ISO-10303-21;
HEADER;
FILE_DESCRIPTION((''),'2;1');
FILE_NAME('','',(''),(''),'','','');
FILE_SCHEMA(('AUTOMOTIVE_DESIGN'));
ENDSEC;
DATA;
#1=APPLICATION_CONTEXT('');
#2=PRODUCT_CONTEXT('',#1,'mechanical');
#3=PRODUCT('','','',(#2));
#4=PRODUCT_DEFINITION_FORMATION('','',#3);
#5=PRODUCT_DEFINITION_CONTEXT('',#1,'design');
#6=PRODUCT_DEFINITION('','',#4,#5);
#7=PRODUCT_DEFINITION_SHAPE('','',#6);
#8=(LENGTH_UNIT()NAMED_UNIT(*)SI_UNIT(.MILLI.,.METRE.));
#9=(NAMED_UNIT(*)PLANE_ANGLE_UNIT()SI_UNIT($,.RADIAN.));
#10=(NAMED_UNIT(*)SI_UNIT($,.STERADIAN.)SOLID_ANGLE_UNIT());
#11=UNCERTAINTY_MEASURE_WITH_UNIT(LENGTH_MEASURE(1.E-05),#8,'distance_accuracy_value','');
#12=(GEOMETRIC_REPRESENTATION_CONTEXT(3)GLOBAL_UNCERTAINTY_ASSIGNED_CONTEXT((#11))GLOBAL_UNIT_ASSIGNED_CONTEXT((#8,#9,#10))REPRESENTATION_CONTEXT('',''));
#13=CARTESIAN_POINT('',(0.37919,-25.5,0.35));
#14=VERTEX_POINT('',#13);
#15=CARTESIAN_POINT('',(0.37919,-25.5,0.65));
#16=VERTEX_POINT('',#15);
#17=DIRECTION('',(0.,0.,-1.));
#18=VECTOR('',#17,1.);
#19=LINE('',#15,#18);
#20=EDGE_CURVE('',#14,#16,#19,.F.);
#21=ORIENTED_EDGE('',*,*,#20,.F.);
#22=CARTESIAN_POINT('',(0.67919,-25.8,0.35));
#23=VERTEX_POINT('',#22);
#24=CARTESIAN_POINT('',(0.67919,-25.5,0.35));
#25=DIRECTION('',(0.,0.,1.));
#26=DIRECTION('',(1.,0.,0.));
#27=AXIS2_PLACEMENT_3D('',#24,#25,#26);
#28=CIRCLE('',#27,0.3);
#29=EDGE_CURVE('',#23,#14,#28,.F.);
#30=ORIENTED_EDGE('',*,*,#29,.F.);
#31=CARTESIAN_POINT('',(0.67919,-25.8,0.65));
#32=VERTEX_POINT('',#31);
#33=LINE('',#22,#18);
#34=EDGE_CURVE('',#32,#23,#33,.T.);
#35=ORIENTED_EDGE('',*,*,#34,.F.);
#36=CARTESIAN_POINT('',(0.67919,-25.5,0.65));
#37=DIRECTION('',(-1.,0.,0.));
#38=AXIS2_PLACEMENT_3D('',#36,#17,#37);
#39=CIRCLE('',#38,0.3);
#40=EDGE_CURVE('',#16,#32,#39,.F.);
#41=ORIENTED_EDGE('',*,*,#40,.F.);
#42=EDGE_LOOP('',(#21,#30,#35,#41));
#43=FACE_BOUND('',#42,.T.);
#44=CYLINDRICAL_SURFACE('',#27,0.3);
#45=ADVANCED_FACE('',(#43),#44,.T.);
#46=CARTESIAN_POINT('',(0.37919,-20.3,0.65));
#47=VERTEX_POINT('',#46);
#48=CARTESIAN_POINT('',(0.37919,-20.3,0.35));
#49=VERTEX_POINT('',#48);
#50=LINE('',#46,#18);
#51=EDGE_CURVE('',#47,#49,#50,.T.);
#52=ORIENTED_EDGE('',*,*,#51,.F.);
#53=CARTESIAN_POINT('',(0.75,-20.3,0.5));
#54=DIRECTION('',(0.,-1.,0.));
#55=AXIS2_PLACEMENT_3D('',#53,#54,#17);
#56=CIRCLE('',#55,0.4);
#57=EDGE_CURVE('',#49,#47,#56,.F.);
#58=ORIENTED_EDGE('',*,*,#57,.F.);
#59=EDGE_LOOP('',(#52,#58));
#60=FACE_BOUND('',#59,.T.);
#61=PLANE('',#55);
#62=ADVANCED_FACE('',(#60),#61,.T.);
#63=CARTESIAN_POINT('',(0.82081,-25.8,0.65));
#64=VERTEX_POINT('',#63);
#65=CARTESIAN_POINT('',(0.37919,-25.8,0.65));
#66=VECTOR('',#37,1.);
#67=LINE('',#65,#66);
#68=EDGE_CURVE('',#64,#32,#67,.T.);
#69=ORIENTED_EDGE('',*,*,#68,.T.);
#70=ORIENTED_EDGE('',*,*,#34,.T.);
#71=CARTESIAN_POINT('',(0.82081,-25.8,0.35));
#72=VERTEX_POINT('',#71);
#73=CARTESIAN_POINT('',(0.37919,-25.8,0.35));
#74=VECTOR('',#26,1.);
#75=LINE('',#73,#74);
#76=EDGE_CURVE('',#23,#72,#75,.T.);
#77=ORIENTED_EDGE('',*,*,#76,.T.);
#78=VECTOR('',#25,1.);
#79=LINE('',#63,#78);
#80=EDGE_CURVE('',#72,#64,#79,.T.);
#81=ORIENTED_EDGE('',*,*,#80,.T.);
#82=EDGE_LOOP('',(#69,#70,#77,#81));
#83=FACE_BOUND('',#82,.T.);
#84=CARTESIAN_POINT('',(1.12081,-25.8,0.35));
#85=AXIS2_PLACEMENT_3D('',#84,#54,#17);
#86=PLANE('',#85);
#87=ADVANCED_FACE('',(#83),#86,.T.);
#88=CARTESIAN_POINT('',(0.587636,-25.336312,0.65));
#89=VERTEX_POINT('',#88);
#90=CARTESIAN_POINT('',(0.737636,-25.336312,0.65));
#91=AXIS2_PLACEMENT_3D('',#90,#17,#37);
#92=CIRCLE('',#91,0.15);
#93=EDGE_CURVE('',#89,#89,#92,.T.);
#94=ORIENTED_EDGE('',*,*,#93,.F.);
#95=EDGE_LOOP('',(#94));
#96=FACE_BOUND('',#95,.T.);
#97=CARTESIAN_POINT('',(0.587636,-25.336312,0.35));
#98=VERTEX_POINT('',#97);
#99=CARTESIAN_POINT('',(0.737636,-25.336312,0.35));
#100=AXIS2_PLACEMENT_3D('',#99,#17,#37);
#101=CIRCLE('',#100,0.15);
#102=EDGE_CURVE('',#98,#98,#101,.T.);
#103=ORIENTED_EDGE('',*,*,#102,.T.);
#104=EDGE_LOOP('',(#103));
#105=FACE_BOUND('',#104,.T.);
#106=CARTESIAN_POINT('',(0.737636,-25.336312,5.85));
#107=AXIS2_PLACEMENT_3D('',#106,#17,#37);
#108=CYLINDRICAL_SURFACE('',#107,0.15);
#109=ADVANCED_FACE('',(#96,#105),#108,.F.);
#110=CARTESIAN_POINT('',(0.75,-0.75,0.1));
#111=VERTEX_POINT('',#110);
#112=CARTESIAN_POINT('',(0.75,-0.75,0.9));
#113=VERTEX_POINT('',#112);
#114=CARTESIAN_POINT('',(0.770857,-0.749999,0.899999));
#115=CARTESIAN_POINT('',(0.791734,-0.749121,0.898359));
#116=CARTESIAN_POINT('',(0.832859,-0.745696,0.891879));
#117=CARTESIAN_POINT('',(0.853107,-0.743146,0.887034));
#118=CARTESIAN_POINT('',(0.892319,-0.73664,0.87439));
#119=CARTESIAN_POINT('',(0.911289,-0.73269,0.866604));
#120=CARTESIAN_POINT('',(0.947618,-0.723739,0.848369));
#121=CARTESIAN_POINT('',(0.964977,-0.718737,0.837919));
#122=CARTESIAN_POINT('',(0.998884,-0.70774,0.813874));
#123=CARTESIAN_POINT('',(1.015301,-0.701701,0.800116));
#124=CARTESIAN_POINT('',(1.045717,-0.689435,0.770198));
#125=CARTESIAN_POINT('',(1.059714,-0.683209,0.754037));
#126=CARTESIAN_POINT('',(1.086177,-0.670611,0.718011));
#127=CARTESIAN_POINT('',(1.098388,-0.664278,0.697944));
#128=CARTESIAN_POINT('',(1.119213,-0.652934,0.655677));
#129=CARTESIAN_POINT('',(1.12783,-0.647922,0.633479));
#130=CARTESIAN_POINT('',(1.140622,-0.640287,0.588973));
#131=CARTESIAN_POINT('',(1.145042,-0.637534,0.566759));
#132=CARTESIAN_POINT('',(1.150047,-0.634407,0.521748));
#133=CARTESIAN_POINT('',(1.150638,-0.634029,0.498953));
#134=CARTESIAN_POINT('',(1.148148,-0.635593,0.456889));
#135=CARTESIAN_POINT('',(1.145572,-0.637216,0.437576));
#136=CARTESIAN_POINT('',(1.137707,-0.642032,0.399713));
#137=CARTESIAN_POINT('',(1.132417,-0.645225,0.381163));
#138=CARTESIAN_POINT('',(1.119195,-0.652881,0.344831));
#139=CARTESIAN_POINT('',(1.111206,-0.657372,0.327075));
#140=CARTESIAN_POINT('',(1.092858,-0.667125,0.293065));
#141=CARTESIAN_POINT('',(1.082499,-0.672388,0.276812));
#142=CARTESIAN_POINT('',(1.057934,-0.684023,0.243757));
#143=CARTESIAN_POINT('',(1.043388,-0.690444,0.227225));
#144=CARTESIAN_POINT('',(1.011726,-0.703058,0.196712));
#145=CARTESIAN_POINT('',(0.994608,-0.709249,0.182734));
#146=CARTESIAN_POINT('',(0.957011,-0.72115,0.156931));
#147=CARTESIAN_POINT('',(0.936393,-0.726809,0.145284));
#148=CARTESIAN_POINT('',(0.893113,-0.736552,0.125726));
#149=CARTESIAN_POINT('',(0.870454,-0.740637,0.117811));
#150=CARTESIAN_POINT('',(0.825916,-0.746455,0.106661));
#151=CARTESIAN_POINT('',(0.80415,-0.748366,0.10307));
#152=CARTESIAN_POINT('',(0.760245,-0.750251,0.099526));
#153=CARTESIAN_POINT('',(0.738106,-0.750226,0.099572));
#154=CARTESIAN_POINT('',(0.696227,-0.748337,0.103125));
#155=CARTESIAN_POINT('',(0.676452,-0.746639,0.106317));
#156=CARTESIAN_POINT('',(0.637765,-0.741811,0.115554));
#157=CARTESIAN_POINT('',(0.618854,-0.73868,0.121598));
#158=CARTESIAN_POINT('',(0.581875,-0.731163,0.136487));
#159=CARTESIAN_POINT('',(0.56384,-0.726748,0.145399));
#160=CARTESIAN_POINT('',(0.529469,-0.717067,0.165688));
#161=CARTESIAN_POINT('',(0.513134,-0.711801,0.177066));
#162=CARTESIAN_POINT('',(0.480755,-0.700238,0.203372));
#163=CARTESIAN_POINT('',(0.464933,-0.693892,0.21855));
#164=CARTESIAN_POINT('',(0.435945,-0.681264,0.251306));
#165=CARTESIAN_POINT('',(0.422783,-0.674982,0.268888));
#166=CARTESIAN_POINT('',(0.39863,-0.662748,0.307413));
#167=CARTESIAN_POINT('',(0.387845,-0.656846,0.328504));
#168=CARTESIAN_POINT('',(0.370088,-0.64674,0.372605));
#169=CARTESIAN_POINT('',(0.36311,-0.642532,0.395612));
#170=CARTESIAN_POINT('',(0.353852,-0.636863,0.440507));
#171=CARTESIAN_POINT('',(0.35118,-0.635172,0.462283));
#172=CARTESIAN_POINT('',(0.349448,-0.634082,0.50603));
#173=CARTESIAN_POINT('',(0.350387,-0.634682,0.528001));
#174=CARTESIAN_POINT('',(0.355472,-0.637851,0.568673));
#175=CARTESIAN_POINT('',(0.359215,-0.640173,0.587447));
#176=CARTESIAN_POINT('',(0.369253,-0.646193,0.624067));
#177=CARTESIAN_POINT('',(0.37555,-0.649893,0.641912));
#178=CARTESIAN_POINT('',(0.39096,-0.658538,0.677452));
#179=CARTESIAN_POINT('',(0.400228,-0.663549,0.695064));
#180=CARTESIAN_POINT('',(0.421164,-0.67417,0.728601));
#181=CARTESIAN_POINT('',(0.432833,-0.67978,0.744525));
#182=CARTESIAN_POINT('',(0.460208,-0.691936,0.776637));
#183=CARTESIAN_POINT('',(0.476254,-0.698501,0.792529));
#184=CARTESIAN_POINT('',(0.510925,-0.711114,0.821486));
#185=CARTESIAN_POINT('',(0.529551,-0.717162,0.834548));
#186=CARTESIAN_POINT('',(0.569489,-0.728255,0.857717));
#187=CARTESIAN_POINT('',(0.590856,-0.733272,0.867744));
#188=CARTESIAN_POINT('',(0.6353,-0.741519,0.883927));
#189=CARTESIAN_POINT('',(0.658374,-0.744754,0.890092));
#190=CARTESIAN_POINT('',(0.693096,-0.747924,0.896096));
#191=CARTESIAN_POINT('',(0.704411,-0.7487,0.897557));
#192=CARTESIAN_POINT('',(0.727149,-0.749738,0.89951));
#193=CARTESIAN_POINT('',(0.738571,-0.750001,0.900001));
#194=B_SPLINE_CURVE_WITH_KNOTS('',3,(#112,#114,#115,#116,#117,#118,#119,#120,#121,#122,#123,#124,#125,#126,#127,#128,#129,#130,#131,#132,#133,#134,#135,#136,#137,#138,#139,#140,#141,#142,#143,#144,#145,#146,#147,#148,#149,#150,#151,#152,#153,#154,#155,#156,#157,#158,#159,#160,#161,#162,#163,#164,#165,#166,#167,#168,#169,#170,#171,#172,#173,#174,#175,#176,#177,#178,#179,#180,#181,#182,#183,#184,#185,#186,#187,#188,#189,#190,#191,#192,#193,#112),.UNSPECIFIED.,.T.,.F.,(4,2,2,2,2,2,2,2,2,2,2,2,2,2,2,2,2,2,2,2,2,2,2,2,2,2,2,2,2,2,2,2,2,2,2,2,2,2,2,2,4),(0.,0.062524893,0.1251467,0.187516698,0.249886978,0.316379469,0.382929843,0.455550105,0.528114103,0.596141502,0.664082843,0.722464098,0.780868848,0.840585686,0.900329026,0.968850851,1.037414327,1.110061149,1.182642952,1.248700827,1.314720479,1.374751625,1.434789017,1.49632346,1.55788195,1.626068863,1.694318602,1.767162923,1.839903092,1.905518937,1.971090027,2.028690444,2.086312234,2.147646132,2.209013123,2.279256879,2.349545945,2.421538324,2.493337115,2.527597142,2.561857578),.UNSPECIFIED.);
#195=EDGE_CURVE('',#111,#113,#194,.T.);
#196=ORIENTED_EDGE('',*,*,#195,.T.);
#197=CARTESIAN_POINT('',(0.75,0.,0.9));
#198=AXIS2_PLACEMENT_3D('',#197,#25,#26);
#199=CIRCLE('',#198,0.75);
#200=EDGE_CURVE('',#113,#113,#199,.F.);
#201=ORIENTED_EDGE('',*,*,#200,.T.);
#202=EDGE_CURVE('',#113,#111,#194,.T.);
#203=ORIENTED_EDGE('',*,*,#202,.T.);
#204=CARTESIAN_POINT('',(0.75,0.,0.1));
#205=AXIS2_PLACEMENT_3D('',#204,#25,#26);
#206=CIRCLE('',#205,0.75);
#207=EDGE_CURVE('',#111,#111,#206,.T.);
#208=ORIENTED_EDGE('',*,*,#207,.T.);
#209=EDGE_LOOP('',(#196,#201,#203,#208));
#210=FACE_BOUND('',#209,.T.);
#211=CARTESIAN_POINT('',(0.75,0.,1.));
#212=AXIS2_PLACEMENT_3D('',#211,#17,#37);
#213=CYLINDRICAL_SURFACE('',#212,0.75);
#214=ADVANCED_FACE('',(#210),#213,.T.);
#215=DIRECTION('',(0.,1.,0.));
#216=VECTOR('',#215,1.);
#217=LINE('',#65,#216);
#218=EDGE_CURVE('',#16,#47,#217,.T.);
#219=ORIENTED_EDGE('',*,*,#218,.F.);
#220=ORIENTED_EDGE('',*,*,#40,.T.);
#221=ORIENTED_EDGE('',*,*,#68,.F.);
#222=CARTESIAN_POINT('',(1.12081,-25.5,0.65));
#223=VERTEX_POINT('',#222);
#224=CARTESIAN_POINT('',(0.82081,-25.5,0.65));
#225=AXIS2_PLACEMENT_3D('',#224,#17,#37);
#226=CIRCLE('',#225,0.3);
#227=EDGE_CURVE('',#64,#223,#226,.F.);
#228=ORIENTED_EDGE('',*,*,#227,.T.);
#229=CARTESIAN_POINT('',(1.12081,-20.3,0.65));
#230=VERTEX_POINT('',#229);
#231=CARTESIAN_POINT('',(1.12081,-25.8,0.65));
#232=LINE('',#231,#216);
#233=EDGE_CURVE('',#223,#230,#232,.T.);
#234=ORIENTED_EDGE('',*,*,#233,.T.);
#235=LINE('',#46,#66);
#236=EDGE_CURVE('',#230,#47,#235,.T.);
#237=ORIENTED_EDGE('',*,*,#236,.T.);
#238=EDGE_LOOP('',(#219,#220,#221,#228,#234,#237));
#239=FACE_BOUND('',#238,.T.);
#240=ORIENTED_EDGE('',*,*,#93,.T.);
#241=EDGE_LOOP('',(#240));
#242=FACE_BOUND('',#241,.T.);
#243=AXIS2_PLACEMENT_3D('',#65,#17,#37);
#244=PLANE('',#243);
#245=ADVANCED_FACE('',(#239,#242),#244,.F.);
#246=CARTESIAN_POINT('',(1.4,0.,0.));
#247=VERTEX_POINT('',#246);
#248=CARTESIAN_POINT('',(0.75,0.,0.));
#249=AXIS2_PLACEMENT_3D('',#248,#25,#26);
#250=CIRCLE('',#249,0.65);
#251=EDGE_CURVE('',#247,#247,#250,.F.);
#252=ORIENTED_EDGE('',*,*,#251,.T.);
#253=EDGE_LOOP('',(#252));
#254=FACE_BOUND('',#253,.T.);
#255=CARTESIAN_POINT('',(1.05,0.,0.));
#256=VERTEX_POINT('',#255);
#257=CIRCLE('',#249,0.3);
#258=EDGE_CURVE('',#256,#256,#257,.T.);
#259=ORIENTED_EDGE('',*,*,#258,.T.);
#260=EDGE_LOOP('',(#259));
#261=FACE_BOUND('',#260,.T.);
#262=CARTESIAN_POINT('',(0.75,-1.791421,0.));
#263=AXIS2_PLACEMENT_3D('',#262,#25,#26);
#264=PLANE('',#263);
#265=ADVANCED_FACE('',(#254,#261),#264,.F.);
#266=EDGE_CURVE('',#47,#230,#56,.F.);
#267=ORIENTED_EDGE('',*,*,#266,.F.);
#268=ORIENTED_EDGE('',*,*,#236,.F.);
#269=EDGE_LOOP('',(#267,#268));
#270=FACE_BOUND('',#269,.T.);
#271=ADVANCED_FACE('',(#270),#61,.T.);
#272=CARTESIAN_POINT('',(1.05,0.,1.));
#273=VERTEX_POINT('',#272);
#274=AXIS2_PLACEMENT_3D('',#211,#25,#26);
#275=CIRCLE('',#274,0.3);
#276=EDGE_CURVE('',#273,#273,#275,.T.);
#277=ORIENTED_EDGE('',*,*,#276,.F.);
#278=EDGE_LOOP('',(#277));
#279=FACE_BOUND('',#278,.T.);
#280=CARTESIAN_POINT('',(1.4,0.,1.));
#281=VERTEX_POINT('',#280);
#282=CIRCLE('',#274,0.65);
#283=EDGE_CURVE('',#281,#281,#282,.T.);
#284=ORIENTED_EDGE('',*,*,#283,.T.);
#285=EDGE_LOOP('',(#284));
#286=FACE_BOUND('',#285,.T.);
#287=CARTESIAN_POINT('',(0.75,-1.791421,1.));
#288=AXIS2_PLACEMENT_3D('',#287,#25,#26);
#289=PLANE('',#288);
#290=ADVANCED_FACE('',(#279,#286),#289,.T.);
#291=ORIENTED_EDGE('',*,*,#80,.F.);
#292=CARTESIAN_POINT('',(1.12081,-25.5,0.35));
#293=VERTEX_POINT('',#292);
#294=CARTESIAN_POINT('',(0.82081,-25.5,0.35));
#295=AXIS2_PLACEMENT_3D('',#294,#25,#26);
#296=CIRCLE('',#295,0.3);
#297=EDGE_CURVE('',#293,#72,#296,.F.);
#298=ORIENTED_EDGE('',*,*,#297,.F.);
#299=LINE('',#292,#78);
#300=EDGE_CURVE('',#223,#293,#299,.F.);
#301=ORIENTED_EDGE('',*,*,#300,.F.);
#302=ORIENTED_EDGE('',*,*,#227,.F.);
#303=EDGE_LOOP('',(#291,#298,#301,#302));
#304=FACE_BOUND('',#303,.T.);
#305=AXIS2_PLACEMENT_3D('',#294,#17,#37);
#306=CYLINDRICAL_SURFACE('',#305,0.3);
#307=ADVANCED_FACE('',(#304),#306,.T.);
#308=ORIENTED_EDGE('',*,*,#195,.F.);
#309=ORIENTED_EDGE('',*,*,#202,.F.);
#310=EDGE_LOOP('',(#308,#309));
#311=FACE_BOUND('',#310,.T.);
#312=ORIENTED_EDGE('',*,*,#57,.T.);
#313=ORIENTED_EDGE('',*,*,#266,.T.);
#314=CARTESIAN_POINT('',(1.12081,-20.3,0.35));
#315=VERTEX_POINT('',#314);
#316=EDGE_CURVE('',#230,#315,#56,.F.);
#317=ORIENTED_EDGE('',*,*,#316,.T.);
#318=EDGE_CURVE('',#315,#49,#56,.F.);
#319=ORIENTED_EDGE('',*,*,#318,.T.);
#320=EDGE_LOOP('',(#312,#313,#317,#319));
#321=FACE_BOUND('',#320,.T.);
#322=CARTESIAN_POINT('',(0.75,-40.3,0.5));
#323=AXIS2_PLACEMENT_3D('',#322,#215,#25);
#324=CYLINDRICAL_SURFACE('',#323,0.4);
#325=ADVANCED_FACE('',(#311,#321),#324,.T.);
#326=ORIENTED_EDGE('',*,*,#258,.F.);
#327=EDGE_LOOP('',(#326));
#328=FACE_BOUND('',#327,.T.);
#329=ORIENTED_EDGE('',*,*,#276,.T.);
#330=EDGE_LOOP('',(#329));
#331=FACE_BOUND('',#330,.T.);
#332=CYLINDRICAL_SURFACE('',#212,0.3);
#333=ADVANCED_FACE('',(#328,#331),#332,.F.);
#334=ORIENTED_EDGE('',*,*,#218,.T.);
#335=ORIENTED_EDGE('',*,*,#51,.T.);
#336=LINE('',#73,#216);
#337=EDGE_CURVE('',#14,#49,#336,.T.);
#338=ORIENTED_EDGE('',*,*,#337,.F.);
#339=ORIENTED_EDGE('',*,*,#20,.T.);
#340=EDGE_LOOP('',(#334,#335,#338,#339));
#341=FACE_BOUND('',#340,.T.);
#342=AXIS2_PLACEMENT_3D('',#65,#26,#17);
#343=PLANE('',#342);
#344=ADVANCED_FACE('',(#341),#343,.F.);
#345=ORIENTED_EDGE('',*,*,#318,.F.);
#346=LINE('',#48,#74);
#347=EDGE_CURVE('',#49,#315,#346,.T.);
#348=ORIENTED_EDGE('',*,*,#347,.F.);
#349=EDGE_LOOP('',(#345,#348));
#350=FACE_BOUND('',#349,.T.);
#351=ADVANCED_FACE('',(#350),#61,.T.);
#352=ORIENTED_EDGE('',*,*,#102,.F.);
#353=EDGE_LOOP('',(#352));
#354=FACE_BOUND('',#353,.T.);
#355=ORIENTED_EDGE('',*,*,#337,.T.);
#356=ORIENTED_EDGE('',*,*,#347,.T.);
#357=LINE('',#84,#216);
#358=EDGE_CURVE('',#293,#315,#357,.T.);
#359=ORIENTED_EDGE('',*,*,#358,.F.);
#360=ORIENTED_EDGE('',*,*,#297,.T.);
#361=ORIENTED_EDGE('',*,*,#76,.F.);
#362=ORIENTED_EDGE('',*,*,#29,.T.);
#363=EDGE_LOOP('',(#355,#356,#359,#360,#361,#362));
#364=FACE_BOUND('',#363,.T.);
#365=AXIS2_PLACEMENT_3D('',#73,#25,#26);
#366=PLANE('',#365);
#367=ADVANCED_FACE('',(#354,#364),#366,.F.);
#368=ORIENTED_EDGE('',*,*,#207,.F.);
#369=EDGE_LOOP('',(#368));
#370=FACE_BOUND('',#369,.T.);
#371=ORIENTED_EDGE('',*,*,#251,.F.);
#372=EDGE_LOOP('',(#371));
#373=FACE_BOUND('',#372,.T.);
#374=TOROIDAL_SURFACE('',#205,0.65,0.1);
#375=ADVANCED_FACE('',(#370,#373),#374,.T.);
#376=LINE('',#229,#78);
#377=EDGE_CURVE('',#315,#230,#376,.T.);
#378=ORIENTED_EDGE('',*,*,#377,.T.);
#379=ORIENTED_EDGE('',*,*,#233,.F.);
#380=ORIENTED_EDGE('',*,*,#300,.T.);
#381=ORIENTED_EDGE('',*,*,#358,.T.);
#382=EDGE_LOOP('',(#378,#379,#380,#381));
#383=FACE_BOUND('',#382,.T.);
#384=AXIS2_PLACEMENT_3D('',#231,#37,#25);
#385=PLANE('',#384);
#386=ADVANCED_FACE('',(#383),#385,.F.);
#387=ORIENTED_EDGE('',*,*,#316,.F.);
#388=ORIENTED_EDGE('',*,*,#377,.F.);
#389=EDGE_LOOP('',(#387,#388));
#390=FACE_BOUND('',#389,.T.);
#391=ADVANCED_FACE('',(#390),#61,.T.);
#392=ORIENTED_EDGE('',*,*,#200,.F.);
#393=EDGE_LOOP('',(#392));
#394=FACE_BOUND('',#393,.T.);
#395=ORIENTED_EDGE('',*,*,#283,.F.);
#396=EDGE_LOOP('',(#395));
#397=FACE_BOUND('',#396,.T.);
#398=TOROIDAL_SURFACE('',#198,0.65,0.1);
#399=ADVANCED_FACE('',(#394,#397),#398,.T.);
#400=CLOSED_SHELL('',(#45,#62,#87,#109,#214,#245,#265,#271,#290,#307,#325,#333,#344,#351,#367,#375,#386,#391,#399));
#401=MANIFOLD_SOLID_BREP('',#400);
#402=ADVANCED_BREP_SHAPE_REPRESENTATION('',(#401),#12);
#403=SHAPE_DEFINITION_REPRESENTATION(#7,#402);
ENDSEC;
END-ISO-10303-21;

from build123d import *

# Parameters (mm, degrees)
SKETCH_1_R          = 0.75
SKETCH_1_R_2        = 0.3
EXTRUDE_1_DEPTH     = 1
FILLET_1_R          = 0.1
EXTRUDE_2_DEPTH     = 40
SKETCH_3_R          = 2.953544
CUT_EXTRUDE_1_DEPTH = 20
SKETCH_4_W          = 0.74162
SKETCH_4_H          = 0.3
EXTRUDE_3_DEPTH     = 5.5
SKETCH_6_R          = 0.15
CUT_EXTRUDE_2_DEPTH = 5.5
FILLET_2_R          = 0.3


with BuildPart() as part:
    # 草图1 → 凸台-拉伸1 (new body)
    with BuildSketch(Plane.XY):
        with Locations((0.75, 0)):
            Circle(SKETCH_1_R)
        with Locations((0.75, 0)):
            Circle(SKETCH_1_R_2, mode=Mode.SUBTRACT)
    extrude(amount=EXTRUDE_1_DEPTH)

    # 圆角1
    fillet_1_edges = [part.edges().sort_by_distance(p)[0] for p in [
        (0, 0, 1),
        (0, 0, 0),
    ]]
    fillet(fillet_1_edges, radius=FILLET_1_R)

    # 草图2 → 凸台-拉伸2 (add)
    with BuildSketch(Plane(origin=(0, -0.3, 0), x_dir=(-1, 0, 0), z_dir=(0, 1, 0))):
        with BuildLine():
            ThreePointArc((-0.35, 0.5), (-0.652986, 0.888057), (-1.102941, 0.688235))
            Line((-1.102941, 0.688235), (-0.397059, 0.311765))
            ThreePointArc((-0.397059, 0.311765), (-0.361943, 0.402986), (-0.35, 0.5))
        make_face()
        with BuildLine():
            Line((-0.397059, 0.311765), (-1.102941, 0.688235))
            ThreePointArc((-1.102941, 0.688235), (-0.938235, 0.147059), (-0.397059, 0.311765))
        make_face()
    extrude(amount=-EXTRUDE_2_DEPTH)

    # 草图3 → 切除-拉伸1 (cut)
    with BuildSketch(Plane.XZ.offset(40.3)):
        with Locations((0.75, 0.5)):
            Circle(SKETCH_3_R)
    extrude(amount=-CUT_EXTRUDE_1_DEPTH, mode=Mode.SUBTRACT)

    # 草图4 → 凸台-拉伸3 (add)
    with BuildSketch(Plane.XZ.offset(20.3)):
        with Locations((0.75, 0.5)):
            Rectangle(SKETCH_4_W, SKETCH_4_H)
    extrude(amount=EXTRUDE_3_DEPTH)

    # 草图6 → 切除-拉伸2 (cut)
    with BuildSketch(Plane(origin=(0, 0, 0.35), x_dir=(-1, 0, 0), z_dir=(0, 0, -1))):
        with Locations((-0.737636, -25.336312)):
            Circle(SKETCH_6_R)
    extrude(amount=-CUT_EXTRUDE_2_DEPTH, mode=Mode.SUBTRACT)

    # 圆角2
    fillet_2_edges = [part.edges().sort_by_distance(p)[0] for p in [
        (1.12081, -25.8, 0.5),
        (0.37919, -25.8, 0.5),
    ]]
    fillet(fillet_2_edges, radius=FILLET_2_R)


solid = part.part
